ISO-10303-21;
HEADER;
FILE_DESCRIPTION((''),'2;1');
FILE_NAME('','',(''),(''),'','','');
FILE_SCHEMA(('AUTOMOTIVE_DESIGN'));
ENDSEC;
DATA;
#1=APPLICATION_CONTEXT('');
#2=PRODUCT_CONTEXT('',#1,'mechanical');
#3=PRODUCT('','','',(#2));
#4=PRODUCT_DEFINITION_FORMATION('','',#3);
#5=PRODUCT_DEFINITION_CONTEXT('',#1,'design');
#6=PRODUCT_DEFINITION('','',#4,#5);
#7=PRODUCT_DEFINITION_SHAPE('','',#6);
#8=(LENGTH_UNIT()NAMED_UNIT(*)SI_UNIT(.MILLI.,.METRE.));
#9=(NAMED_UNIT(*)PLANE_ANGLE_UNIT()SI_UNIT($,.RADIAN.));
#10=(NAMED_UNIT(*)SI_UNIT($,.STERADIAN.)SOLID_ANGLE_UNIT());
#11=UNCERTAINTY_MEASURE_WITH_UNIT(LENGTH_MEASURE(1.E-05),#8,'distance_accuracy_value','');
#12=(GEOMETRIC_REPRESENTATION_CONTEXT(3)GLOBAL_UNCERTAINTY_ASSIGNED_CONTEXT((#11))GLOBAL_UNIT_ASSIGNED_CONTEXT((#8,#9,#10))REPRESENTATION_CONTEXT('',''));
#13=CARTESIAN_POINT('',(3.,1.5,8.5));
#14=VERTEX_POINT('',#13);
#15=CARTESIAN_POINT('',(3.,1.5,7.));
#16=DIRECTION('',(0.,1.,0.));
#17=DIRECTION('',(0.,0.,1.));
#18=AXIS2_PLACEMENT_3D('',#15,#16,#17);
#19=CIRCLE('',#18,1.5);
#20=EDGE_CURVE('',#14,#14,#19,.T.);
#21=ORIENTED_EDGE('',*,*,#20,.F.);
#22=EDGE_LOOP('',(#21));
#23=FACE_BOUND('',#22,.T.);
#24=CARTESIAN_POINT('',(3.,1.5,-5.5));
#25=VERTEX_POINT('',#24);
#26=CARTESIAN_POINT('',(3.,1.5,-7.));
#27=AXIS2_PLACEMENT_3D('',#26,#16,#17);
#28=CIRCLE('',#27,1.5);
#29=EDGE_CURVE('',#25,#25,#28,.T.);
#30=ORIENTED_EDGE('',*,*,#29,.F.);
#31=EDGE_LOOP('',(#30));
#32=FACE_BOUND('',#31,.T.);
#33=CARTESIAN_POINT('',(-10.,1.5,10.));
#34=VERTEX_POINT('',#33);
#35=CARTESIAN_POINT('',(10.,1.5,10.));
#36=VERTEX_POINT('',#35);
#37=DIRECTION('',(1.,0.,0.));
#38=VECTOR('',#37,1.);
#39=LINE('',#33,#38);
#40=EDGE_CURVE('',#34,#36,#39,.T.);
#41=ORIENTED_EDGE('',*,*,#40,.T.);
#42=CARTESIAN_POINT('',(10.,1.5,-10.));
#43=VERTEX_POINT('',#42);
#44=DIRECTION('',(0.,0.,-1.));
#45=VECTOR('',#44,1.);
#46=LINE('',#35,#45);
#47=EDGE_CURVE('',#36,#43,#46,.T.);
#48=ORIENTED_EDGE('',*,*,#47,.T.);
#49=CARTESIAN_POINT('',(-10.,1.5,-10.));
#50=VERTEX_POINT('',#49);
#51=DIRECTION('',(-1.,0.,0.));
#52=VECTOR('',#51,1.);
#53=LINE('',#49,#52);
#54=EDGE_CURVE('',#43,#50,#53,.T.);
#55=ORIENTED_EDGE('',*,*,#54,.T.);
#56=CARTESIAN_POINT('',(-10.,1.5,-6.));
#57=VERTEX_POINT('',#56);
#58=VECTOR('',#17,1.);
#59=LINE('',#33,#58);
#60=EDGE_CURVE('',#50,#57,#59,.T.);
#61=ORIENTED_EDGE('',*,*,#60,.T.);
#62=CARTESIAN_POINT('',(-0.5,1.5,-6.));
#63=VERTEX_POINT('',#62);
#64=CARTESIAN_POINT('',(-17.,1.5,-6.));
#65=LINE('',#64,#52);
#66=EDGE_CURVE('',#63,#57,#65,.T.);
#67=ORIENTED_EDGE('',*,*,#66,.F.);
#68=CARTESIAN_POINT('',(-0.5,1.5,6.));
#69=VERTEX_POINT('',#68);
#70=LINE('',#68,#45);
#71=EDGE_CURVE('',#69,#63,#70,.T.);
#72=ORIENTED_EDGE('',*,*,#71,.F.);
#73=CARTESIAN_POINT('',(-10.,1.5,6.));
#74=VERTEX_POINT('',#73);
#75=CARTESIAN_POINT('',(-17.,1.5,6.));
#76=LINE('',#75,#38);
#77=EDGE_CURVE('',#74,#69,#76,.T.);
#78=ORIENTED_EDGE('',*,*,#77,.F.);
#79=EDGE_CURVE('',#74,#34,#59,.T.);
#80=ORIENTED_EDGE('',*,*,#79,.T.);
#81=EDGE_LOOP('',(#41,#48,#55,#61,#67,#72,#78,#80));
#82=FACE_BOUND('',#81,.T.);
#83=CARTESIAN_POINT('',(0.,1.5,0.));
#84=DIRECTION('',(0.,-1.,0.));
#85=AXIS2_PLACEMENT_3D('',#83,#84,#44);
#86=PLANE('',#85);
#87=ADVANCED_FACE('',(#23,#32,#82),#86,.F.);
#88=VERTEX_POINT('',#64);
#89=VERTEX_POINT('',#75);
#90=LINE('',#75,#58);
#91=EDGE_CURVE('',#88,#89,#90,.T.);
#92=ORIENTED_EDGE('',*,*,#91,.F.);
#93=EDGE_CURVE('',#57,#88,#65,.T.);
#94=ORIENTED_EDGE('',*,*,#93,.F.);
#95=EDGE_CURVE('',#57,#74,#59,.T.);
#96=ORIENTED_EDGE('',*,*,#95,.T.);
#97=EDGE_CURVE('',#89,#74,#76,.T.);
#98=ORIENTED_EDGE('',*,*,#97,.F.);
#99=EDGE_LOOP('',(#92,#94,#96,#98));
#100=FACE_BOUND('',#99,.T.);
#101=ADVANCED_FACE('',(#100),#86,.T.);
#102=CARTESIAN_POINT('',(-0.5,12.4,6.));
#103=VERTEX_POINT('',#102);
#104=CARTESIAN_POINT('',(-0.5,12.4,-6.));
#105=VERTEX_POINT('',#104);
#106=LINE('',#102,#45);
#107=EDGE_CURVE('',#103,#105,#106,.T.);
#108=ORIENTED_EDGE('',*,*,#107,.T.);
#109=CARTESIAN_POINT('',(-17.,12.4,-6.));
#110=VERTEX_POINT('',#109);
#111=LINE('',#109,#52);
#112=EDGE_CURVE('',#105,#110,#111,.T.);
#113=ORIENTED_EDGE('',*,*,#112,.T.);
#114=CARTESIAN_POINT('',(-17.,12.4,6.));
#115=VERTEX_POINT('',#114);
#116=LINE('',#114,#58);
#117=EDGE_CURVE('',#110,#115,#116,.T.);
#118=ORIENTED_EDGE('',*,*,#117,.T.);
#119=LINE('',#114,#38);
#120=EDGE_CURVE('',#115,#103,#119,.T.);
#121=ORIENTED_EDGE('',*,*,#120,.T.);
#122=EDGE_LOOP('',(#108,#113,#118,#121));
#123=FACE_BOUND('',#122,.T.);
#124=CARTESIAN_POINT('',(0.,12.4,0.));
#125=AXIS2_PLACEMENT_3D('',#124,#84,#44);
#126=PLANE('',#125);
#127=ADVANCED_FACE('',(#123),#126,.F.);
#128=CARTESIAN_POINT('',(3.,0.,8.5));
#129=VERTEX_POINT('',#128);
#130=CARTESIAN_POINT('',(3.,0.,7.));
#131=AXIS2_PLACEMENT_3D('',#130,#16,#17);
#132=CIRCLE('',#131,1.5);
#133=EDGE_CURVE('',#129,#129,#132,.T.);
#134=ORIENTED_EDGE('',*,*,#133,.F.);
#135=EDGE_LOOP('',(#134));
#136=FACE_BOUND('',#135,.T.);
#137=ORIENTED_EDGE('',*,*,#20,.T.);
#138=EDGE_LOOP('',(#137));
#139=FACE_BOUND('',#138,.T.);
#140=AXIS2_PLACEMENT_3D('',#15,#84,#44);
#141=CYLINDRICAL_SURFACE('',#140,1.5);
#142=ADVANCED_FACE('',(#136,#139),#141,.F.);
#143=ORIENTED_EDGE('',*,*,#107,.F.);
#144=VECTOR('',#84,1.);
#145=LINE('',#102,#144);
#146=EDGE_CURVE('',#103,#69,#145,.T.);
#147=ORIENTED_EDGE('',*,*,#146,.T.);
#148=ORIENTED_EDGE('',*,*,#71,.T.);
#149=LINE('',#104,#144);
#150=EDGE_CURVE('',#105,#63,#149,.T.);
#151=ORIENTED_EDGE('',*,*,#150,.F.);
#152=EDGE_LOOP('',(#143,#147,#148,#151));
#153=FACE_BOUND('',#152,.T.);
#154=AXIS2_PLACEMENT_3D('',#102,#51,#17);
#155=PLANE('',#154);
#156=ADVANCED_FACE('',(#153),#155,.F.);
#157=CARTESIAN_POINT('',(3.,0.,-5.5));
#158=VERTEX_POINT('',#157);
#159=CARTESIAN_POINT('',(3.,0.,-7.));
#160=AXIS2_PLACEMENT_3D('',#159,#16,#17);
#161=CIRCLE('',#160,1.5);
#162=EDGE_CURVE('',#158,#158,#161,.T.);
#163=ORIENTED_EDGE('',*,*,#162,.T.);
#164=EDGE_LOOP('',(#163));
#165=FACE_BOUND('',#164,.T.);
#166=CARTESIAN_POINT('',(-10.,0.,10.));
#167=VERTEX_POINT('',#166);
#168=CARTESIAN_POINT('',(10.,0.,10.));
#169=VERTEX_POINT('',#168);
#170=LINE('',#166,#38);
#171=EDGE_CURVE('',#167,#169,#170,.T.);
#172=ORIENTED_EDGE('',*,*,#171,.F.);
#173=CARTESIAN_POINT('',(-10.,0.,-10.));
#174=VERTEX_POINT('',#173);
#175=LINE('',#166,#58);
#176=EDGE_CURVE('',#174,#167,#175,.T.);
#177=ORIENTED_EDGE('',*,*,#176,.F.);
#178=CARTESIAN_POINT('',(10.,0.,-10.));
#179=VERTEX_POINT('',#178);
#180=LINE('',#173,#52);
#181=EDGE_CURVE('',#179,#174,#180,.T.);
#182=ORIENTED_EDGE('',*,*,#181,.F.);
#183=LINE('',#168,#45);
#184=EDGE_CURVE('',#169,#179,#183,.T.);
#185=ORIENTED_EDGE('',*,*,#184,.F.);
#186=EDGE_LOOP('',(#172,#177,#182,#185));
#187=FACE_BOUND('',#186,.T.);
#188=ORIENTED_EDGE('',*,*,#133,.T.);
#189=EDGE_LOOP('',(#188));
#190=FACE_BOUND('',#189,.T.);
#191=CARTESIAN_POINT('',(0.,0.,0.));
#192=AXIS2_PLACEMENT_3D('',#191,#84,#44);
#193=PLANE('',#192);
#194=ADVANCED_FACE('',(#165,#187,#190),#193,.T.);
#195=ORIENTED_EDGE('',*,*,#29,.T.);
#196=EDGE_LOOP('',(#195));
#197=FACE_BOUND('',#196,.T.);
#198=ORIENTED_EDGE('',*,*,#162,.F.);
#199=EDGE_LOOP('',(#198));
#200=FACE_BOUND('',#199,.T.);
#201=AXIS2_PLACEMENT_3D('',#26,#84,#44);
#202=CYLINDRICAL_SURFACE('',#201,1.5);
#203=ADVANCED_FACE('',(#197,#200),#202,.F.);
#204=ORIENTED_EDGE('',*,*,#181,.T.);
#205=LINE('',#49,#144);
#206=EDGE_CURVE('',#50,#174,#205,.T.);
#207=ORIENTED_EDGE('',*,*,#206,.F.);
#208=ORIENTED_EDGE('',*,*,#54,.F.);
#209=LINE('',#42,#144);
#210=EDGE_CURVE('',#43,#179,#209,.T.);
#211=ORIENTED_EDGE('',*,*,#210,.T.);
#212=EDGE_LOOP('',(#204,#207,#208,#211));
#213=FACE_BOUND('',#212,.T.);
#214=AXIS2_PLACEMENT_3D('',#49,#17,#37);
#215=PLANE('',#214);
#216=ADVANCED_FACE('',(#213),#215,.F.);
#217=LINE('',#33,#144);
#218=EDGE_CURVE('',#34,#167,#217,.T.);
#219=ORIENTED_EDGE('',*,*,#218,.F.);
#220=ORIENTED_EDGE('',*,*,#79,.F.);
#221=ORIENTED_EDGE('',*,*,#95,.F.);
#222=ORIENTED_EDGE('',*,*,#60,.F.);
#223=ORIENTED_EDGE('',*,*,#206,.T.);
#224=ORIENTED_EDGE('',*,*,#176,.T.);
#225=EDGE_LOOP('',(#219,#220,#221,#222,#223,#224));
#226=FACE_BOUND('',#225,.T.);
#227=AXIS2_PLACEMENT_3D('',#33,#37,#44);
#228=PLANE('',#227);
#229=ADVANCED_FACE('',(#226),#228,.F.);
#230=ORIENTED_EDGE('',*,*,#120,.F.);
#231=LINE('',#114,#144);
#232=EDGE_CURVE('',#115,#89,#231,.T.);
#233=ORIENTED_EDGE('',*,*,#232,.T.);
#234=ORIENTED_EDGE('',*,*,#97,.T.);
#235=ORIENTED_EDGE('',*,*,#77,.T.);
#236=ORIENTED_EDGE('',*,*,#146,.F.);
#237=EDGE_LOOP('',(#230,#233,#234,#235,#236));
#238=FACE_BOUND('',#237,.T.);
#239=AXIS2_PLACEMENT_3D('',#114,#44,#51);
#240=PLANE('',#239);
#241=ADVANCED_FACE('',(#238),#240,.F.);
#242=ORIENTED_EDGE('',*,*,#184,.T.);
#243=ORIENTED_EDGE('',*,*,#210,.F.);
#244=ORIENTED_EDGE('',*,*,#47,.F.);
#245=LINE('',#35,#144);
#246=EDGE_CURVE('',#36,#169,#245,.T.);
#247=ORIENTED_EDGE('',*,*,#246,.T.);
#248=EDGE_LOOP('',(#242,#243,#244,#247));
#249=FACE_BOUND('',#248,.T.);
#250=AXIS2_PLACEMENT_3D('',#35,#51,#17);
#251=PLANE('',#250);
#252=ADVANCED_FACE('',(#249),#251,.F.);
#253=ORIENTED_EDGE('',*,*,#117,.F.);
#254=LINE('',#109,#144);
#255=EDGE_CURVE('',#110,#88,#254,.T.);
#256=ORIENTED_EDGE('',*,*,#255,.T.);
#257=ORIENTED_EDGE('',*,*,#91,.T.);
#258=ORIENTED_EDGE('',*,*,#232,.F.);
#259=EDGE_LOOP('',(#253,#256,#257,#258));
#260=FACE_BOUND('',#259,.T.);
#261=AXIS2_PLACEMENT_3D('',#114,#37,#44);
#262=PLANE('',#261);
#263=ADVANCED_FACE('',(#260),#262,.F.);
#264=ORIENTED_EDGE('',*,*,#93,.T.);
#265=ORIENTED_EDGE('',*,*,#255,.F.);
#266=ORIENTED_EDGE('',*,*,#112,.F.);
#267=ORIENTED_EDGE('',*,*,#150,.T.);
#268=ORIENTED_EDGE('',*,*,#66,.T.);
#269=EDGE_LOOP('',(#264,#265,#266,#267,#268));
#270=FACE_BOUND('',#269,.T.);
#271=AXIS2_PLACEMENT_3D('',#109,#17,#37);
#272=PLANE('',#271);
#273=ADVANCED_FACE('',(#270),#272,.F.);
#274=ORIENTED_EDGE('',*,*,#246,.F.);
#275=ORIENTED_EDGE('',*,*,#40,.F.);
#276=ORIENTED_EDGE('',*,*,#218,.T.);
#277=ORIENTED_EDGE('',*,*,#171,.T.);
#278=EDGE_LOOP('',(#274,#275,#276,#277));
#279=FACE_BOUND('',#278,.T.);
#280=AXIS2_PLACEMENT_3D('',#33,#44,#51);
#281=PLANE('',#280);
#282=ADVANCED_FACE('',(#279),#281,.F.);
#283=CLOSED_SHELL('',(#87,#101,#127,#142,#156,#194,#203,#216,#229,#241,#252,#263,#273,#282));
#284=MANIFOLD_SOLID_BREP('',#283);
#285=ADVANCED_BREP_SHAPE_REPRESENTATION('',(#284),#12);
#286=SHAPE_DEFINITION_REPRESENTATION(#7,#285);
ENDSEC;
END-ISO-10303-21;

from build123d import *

# Parameters (mm, degrees)
SKETCH1_W           = 20
SKETCH1_H           = 20
SKETCH1_R           = 1.5
BOSS_EXTRUDE1_DEPTH = 1.5
SKETCH2_W           = 16.5
SKETCH2_H           = 12
BOSS_EXTRUDE2_DEPTH = 10.9


with BuildPart() as part:
    # Sketch1 → Boss-Extrude1 (new body)
    with BuildSketch(Plane(origin=(0, 0, 0), x_dir=(1, 0, 0), z_dir=(0, 1, 0))):
        Rectangle(SKETCH1_W, SKETCH1_H)
        with Locations(Location((3, 7, 0), (0, 0, 270))):
            Circle(SKETCH1_R, mode=Mode.SUBTRACT)
        with Locations(Location((3, -7, 0), (0, 0, 270))):
            Circle(SKETCH1_R, mode=Mode.SUBTRACT)
    extrude(amount=BOSS_EXTRUDE1_DEPTH)

    # Sketch2 → Boss-Extrude2 (add)
    with BuildSketch(Plane(origin=(0, 1.5, 0), x_dir=(1, 0, 0), z_dir=(0, 1, 0))):
        with Locations((-8.75, 0)):
            Rectangle(SKETCH2_W, SKETCH2_H)
    extrude(amount=BOSS_EXTRUDE2_DEPTH)


solid = part.part
